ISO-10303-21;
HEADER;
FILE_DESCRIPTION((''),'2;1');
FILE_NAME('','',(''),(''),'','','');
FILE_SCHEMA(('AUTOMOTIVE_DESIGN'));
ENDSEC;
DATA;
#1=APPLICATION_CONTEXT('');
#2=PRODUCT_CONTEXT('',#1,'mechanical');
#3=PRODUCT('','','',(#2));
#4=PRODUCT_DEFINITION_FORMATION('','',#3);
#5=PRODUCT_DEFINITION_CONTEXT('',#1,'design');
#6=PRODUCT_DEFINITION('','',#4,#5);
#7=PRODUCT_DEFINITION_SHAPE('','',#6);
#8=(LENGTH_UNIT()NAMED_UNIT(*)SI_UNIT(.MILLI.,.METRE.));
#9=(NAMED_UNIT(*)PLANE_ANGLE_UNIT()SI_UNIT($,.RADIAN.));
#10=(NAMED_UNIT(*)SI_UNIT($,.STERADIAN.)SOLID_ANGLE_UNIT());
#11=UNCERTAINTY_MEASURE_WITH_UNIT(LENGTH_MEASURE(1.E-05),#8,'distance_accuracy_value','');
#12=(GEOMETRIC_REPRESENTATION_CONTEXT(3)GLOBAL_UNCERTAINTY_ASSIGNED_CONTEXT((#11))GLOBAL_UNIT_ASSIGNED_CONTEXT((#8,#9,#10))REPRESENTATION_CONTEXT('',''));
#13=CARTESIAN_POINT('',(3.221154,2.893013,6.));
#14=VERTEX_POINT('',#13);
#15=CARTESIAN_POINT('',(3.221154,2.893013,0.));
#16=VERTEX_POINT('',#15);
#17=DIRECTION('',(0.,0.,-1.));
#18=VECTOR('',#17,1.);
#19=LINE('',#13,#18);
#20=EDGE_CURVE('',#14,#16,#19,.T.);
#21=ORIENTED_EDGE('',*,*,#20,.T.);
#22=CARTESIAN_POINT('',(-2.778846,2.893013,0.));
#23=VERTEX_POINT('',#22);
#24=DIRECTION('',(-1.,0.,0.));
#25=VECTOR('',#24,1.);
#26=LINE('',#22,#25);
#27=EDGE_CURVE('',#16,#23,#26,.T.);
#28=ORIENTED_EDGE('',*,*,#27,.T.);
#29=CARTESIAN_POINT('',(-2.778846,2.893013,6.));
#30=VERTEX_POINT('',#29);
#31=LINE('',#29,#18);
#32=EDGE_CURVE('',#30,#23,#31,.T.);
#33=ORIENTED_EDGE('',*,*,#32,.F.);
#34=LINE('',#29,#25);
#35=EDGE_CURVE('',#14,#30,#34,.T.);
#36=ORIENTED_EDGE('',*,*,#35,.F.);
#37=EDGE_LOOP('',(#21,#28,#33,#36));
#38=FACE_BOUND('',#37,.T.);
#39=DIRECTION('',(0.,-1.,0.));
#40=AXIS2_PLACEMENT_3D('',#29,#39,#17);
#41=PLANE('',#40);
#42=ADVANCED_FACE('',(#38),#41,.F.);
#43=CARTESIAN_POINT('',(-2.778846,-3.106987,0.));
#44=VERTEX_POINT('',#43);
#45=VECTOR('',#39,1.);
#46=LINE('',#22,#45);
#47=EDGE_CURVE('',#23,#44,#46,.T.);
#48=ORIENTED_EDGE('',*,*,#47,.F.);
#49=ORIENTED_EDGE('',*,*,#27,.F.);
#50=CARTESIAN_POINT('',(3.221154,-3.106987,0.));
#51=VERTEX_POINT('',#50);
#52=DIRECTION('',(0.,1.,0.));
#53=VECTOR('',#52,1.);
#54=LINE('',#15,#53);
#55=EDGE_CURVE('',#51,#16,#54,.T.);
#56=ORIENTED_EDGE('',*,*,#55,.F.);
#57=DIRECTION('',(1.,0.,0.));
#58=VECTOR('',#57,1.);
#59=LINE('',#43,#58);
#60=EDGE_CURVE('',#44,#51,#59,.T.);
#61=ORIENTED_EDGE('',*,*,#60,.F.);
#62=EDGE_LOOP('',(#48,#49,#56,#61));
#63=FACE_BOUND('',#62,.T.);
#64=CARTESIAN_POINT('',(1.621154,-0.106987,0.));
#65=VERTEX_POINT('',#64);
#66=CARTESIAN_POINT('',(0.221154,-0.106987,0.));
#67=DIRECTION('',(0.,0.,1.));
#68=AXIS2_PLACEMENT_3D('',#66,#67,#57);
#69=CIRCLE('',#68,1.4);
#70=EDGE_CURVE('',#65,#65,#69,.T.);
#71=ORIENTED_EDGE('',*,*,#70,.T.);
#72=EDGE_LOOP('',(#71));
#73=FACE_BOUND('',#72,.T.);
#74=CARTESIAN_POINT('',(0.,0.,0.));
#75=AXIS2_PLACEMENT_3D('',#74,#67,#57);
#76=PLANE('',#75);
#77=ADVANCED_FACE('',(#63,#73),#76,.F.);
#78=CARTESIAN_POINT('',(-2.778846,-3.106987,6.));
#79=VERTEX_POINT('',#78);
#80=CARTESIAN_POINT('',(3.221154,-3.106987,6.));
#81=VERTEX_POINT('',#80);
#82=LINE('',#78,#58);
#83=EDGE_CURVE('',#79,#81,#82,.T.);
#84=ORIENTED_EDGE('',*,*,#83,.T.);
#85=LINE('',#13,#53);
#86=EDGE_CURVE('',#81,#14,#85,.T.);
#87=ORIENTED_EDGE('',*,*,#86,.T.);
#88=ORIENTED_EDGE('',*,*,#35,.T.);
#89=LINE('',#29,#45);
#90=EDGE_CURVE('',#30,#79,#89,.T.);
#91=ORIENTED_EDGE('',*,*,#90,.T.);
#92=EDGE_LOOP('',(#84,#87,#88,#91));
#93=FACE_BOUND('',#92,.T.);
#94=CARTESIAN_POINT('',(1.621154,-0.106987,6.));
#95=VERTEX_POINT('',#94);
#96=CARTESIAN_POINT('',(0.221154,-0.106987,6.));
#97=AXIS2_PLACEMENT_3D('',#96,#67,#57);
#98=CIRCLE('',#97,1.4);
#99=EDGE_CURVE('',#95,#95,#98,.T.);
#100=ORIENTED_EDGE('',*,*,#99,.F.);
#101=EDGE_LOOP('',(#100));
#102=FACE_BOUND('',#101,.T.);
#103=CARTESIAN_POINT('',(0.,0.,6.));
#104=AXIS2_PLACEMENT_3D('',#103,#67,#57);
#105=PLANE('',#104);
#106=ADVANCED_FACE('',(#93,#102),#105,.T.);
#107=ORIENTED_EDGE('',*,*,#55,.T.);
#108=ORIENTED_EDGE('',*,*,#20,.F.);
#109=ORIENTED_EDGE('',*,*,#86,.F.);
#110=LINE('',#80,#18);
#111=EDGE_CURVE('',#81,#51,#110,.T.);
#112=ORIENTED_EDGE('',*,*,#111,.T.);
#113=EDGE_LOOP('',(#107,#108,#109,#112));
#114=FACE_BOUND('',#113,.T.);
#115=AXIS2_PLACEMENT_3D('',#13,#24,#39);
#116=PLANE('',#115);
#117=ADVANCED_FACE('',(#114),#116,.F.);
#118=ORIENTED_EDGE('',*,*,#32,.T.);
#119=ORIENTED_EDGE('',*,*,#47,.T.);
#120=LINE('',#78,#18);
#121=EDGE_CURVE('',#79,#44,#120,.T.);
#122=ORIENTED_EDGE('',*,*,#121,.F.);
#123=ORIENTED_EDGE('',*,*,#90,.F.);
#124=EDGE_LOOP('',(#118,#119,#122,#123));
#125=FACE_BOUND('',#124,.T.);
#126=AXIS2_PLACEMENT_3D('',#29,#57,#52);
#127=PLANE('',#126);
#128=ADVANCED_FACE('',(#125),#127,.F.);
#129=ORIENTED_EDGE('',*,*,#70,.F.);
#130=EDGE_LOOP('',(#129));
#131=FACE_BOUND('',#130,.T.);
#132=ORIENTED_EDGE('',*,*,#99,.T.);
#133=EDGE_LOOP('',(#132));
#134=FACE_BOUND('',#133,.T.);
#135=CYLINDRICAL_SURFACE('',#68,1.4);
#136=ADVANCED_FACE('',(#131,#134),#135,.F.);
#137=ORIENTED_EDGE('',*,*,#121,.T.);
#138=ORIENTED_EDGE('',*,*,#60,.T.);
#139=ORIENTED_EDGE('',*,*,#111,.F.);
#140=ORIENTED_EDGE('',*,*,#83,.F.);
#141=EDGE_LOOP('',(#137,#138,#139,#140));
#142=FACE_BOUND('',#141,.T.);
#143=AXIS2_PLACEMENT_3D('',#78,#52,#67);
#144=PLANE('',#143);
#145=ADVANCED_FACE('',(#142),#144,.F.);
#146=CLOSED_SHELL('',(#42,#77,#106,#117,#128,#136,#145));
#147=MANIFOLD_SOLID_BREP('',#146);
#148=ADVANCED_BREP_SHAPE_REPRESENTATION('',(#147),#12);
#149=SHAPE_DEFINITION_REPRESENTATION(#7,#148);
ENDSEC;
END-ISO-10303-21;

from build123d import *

# Parameters (mm, degrees)
SKETCH_1_W          = 6
SKETCH_1_H          = 6
EXTRUDE_1_DEPTH     = 6
SKETCH_2_R          = 1.4
CUT_EXTRUDE_1_DEPTH = 7


with BuildPart() as part:
    # ｽｹｯﾁ1 → ﾎﾞｽ - 押し出し1 (new body)
    with BuildSketch(Plane.XY):
        with Locations((0.221154353, -0.1069869)):
            Rectangle(SKETCH_1_W, SKETCH_1_H)
    extrude(amount=EXTRUDE_1_DEPTH)

    # ｽｹｯﾁ2 → ｶｯﾄ - 押し出し1 (cut, through all)
    with BuildSketch(Plane.XY.offset(6)):
        with Locations((0.221154353, -0.1069869)):
            Circle(SKETCH_2_R)
    extrude(amount=-CUT_EXTRUDE_1_DEPTH, mode=Mode.SUBTRACT)


solid = part.part
